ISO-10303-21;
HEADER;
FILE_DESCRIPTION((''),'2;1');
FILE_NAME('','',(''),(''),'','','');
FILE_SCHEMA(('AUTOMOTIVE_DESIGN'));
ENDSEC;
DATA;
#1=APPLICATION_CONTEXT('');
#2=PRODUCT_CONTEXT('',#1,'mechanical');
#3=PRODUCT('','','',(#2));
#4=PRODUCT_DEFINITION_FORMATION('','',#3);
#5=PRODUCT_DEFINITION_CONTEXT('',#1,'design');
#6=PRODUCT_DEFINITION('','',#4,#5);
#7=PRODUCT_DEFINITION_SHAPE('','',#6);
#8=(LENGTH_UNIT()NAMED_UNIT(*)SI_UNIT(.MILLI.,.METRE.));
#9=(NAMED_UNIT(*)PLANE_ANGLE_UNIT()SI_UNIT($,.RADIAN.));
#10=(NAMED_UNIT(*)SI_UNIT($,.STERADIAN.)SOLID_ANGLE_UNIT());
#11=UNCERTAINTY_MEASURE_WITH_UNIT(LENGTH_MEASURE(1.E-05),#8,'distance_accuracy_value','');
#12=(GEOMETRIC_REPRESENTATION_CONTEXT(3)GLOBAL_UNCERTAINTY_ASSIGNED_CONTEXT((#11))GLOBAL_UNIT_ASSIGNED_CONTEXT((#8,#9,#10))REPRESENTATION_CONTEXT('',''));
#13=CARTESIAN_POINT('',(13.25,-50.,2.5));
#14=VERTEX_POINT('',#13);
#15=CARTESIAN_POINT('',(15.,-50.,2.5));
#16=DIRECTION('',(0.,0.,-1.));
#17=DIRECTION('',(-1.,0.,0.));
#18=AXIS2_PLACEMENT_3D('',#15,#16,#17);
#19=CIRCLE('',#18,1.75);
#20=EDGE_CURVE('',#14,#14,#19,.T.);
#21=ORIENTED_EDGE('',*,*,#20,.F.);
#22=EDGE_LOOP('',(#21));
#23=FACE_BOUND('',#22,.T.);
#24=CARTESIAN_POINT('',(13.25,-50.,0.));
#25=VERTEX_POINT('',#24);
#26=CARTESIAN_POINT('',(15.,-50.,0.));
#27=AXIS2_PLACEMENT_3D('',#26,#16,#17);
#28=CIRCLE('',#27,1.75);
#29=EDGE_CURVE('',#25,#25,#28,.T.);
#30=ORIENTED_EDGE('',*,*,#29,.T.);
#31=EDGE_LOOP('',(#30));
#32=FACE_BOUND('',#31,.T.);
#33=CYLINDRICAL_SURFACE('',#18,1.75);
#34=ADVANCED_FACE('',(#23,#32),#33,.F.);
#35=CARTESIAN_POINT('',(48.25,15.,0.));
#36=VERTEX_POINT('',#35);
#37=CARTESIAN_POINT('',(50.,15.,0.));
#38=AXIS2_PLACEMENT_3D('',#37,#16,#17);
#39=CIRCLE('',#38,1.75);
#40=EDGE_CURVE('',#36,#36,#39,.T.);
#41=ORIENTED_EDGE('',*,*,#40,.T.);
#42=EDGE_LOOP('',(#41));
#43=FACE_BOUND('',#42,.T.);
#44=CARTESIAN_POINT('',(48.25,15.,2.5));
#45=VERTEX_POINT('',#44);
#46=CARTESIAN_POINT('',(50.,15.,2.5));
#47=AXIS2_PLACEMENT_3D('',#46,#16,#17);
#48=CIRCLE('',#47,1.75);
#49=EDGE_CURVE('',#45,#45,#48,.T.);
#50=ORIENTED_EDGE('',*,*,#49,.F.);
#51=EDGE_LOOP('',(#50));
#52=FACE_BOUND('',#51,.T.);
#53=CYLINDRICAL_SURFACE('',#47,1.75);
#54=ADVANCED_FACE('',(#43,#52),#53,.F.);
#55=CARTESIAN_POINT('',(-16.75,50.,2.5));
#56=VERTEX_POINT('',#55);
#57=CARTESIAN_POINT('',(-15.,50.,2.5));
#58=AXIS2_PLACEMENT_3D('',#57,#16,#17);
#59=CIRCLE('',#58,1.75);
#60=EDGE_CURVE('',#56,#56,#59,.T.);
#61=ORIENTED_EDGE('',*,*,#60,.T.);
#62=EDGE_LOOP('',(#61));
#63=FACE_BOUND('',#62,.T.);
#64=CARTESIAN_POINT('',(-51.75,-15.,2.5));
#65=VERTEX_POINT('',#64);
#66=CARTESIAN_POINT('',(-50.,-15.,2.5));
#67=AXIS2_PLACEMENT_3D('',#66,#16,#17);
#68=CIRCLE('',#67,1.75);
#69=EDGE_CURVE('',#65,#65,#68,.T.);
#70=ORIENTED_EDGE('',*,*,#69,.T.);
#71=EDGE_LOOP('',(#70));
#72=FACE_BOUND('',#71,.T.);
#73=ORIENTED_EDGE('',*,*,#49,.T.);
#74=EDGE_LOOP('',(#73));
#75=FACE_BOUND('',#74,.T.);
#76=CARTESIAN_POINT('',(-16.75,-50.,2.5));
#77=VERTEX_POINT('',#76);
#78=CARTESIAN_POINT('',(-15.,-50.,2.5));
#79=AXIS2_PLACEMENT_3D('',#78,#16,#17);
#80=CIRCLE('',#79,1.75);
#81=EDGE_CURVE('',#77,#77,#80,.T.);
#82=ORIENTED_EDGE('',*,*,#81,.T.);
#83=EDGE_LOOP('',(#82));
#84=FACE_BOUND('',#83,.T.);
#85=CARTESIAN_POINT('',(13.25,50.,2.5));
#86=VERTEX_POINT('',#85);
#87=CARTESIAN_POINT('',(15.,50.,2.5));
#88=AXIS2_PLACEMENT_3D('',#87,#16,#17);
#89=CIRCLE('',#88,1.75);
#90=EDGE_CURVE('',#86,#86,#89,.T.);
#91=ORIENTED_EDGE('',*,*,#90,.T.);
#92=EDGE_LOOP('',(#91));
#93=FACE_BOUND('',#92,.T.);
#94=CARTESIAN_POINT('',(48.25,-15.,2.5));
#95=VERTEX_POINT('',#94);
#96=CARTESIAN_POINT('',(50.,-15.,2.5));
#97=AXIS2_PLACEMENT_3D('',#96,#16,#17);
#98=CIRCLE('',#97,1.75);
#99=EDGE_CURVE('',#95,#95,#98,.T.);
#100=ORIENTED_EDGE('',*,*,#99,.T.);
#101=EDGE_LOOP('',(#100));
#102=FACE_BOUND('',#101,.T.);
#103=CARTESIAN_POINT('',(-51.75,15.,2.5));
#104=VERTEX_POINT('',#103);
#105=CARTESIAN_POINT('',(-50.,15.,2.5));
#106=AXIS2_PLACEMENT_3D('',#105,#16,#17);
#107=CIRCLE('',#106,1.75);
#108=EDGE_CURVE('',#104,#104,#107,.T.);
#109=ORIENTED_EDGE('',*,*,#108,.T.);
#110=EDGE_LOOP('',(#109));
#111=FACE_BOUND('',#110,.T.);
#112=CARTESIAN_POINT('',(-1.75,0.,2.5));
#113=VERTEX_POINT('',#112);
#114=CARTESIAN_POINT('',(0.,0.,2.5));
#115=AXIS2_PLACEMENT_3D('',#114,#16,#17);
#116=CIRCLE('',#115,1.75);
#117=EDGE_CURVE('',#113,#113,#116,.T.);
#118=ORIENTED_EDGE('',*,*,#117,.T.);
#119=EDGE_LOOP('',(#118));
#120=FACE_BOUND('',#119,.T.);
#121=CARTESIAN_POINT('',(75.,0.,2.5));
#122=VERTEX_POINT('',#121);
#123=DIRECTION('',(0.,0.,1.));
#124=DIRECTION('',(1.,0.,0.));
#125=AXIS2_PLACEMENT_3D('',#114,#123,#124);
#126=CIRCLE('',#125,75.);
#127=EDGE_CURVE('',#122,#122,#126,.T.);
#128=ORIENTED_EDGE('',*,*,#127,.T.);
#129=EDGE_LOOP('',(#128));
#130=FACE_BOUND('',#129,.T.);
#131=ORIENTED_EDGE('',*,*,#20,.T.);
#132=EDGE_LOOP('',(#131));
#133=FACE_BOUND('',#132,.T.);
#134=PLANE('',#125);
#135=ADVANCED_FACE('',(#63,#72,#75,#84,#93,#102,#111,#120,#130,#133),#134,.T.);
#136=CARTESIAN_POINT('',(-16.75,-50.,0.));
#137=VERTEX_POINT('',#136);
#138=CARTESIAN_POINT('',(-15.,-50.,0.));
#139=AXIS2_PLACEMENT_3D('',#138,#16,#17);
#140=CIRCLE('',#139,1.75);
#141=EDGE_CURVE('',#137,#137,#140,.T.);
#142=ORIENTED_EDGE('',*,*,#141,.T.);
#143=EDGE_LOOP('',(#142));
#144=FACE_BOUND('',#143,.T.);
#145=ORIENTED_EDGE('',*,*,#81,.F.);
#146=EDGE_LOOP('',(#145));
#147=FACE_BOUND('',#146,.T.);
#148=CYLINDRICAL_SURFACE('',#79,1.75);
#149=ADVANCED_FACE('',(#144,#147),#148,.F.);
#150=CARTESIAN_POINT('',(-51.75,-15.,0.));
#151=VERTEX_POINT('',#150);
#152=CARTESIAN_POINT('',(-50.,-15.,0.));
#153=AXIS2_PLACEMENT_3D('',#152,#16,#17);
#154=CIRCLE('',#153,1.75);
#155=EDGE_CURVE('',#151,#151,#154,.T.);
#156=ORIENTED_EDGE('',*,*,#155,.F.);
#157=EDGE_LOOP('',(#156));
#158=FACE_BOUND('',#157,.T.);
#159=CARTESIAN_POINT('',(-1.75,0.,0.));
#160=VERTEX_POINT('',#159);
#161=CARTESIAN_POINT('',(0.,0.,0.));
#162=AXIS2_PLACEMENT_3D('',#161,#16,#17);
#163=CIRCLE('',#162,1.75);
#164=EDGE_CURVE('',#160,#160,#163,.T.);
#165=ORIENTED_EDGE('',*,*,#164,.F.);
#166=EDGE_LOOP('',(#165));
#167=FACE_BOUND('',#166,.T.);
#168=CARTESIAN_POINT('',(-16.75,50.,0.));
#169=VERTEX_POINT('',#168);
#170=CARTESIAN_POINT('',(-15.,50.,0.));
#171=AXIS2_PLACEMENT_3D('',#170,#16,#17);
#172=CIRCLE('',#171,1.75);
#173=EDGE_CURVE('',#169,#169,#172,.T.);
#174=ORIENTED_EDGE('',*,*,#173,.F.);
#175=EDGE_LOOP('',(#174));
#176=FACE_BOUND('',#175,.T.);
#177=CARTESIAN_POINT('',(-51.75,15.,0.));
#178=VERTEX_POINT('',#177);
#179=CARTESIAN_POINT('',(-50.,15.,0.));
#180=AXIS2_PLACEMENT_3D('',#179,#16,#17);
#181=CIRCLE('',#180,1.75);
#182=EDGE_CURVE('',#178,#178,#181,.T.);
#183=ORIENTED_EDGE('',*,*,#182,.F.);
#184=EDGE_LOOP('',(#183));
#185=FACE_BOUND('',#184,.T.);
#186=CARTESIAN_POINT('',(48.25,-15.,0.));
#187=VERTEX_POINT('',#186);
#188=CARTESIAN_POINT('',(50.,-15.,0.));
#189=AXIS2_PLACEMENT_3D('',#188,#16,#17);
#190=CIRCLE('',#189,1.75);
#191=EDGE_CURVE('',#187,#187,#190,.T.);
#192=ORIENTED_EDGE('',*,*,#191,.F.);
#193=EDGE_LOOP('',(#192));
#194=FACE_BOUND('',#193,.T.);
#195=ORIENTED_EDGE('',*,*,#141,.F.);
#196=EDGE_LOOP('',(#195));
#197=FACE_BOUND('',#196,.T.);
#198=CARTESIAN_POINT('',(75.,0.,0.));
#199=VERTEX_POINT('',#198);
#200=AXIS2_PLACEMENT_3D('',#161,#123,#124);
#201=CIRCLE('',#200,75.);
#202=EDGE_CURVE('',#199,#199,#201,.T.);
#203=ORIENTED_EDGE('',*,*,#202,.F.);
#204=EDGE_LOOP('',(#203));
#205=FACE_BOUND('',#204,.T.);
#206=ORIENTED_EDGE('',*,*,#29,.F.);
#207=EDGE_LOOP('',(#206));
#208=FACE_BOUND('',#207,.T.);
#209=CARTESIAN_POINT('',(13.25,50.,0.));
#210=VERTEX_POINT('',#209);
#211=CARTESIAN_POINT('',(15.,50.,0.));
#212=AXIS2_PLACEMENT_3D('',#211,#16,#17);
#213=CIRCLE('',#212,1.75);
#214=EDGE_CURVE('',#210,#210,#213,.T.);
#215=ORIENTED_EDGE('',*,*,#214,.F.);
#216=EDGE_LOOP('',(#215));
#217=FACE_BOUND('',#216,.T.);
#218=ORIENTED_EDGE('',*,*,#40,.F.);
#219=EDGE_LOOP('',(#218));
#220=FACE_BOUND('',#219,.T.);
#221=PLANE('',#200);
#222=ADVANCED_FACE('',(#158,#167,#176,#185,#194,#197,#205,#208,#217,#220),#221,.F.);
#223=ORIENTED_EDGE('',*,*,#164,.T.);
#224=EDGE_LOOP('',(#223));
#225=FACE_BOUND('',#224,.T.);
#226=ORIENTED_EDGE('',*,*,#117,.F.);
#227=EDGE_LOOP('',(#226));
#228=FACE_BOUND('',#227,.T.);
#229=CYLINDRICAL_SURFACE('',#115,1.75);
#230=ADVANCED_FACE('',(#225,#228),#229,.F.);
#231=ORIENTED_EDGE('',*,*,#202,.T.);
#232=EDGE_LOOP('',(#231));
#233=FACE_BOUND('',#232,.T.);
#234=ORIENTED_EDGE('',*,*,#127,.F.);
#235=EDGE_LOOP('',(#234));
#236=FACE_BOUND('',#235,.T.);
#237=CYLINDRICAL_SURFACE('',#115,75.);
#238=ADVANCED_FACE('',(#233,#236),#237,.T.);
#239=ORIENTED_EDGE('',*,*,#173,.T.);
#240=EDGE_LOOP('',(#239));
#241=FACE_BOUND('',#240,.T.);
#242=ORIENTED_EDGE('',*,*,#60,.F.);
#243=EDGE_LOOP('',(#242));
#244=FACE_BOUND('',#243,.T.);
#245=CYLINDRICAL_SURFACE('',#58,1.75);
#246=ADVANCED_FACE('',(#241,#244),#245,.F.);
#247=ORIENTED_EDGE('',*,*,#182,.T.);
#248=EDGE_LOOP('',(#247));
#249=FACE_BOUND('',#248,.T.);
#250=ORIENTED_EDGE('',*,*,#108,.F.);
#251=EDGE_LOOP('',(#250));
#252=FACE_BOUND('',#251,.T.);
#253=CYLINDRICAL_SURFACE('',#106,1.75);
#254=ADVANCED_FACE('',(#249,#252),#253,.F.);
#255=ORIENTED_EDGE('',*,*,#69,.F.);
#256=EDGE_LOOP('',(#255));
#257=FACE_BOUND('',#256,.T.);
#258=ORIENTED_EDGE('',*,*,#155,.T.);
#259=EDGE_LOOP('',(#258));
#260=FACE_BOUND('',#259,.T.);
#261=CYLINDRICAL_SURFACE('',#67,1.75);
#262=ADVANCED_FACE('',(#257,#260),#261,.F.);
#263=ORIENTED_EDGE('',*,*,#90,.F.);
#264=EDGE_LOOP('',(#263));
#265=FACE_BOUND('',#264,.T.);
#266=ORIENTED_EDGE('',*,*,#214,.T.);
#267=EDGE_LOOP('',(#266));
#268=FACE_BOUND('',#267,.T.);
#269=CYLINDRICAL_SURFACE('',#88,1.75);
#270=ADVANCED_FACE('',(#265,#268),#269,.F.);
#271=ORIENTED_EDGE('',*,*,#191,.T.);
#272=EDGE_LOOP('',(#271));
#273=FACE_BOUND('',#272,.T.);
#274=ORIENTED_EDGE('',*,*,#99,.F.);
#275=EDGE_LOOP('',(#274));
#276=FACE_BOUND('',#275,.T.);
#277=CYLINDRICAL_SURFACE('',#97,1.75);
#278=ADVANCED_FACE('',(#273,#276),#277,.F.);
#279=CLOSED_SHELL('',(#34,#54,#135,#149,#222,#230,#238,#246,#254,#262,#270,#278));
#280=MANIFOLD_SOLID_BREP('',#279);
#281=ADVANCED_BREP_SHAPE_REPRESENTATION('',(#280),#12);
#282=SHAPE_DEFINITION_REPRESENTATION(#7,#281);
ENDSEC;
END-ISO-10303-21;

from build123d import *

# Parameters (mm, degrees)
SKETCH1_R           = 75
BOSS_EXTRUDE1_DEPTH = 2.5
SKETCH2_R           = 1.75
CUT_EXTRUDE1_DEPTH  = 107.09547587
SKETCH3_R           = 1.75
CUT_EXTRUDE2_DEPTH  = 107.09547587


with BuildPart() as part:
    # Sketch1 → Boss-Extrude1 (new body)
    with BuildSketch(Plane.XY):
        Circle(SKETCH1_R)
    extrude(amount=BOSS_EXTRUDE1_DEPTH)

    # Sketch2 → Cut-Extrude1 (cut, through all)
    with BuildSketch(Plane(origin=(0, 0, 0), x_dir=(-1, 0, 0), z_dir=(0, 0, -1))):
        with Locations((-50, 15)):
            Circle(SKETCH2_R)
        with Locations((-50, -15)):
            Circle(SKETCH2_R)
        with Locations((-15, -50)):
            Circle(SKETCH2_R)
        with Locations((15, -50)):
            Circle(SKETCH2_R)
        with Locations((50, -15)):
            Circle(SKETCH2_R)
        with Locations((50, 15)):
            Circle(SKETCH2_R)
        with Locations((-15, 50)):
            Circle(SKETCH2_R)
        with Locations((15, 50)):
            Circle(SKETCH2_R)
    extrude(amount=-CUT_EXTRUDE1_DEPTH, mode=Mode.SUBTRACT)

    # Sketch3 → Cut-Extrude2 (cut, through all)
    with BuildSketch(Plane(origin=(0, 0, 0), x_dir=(-1, 0, 0), z_dir=(0, 0, -1))):
        Circle(SKETCH3_R)
    extrude(amount=-CUT_EXTRUDE2_DEPTH, mode=Mode.SUBTRACT)


solid = part.part
